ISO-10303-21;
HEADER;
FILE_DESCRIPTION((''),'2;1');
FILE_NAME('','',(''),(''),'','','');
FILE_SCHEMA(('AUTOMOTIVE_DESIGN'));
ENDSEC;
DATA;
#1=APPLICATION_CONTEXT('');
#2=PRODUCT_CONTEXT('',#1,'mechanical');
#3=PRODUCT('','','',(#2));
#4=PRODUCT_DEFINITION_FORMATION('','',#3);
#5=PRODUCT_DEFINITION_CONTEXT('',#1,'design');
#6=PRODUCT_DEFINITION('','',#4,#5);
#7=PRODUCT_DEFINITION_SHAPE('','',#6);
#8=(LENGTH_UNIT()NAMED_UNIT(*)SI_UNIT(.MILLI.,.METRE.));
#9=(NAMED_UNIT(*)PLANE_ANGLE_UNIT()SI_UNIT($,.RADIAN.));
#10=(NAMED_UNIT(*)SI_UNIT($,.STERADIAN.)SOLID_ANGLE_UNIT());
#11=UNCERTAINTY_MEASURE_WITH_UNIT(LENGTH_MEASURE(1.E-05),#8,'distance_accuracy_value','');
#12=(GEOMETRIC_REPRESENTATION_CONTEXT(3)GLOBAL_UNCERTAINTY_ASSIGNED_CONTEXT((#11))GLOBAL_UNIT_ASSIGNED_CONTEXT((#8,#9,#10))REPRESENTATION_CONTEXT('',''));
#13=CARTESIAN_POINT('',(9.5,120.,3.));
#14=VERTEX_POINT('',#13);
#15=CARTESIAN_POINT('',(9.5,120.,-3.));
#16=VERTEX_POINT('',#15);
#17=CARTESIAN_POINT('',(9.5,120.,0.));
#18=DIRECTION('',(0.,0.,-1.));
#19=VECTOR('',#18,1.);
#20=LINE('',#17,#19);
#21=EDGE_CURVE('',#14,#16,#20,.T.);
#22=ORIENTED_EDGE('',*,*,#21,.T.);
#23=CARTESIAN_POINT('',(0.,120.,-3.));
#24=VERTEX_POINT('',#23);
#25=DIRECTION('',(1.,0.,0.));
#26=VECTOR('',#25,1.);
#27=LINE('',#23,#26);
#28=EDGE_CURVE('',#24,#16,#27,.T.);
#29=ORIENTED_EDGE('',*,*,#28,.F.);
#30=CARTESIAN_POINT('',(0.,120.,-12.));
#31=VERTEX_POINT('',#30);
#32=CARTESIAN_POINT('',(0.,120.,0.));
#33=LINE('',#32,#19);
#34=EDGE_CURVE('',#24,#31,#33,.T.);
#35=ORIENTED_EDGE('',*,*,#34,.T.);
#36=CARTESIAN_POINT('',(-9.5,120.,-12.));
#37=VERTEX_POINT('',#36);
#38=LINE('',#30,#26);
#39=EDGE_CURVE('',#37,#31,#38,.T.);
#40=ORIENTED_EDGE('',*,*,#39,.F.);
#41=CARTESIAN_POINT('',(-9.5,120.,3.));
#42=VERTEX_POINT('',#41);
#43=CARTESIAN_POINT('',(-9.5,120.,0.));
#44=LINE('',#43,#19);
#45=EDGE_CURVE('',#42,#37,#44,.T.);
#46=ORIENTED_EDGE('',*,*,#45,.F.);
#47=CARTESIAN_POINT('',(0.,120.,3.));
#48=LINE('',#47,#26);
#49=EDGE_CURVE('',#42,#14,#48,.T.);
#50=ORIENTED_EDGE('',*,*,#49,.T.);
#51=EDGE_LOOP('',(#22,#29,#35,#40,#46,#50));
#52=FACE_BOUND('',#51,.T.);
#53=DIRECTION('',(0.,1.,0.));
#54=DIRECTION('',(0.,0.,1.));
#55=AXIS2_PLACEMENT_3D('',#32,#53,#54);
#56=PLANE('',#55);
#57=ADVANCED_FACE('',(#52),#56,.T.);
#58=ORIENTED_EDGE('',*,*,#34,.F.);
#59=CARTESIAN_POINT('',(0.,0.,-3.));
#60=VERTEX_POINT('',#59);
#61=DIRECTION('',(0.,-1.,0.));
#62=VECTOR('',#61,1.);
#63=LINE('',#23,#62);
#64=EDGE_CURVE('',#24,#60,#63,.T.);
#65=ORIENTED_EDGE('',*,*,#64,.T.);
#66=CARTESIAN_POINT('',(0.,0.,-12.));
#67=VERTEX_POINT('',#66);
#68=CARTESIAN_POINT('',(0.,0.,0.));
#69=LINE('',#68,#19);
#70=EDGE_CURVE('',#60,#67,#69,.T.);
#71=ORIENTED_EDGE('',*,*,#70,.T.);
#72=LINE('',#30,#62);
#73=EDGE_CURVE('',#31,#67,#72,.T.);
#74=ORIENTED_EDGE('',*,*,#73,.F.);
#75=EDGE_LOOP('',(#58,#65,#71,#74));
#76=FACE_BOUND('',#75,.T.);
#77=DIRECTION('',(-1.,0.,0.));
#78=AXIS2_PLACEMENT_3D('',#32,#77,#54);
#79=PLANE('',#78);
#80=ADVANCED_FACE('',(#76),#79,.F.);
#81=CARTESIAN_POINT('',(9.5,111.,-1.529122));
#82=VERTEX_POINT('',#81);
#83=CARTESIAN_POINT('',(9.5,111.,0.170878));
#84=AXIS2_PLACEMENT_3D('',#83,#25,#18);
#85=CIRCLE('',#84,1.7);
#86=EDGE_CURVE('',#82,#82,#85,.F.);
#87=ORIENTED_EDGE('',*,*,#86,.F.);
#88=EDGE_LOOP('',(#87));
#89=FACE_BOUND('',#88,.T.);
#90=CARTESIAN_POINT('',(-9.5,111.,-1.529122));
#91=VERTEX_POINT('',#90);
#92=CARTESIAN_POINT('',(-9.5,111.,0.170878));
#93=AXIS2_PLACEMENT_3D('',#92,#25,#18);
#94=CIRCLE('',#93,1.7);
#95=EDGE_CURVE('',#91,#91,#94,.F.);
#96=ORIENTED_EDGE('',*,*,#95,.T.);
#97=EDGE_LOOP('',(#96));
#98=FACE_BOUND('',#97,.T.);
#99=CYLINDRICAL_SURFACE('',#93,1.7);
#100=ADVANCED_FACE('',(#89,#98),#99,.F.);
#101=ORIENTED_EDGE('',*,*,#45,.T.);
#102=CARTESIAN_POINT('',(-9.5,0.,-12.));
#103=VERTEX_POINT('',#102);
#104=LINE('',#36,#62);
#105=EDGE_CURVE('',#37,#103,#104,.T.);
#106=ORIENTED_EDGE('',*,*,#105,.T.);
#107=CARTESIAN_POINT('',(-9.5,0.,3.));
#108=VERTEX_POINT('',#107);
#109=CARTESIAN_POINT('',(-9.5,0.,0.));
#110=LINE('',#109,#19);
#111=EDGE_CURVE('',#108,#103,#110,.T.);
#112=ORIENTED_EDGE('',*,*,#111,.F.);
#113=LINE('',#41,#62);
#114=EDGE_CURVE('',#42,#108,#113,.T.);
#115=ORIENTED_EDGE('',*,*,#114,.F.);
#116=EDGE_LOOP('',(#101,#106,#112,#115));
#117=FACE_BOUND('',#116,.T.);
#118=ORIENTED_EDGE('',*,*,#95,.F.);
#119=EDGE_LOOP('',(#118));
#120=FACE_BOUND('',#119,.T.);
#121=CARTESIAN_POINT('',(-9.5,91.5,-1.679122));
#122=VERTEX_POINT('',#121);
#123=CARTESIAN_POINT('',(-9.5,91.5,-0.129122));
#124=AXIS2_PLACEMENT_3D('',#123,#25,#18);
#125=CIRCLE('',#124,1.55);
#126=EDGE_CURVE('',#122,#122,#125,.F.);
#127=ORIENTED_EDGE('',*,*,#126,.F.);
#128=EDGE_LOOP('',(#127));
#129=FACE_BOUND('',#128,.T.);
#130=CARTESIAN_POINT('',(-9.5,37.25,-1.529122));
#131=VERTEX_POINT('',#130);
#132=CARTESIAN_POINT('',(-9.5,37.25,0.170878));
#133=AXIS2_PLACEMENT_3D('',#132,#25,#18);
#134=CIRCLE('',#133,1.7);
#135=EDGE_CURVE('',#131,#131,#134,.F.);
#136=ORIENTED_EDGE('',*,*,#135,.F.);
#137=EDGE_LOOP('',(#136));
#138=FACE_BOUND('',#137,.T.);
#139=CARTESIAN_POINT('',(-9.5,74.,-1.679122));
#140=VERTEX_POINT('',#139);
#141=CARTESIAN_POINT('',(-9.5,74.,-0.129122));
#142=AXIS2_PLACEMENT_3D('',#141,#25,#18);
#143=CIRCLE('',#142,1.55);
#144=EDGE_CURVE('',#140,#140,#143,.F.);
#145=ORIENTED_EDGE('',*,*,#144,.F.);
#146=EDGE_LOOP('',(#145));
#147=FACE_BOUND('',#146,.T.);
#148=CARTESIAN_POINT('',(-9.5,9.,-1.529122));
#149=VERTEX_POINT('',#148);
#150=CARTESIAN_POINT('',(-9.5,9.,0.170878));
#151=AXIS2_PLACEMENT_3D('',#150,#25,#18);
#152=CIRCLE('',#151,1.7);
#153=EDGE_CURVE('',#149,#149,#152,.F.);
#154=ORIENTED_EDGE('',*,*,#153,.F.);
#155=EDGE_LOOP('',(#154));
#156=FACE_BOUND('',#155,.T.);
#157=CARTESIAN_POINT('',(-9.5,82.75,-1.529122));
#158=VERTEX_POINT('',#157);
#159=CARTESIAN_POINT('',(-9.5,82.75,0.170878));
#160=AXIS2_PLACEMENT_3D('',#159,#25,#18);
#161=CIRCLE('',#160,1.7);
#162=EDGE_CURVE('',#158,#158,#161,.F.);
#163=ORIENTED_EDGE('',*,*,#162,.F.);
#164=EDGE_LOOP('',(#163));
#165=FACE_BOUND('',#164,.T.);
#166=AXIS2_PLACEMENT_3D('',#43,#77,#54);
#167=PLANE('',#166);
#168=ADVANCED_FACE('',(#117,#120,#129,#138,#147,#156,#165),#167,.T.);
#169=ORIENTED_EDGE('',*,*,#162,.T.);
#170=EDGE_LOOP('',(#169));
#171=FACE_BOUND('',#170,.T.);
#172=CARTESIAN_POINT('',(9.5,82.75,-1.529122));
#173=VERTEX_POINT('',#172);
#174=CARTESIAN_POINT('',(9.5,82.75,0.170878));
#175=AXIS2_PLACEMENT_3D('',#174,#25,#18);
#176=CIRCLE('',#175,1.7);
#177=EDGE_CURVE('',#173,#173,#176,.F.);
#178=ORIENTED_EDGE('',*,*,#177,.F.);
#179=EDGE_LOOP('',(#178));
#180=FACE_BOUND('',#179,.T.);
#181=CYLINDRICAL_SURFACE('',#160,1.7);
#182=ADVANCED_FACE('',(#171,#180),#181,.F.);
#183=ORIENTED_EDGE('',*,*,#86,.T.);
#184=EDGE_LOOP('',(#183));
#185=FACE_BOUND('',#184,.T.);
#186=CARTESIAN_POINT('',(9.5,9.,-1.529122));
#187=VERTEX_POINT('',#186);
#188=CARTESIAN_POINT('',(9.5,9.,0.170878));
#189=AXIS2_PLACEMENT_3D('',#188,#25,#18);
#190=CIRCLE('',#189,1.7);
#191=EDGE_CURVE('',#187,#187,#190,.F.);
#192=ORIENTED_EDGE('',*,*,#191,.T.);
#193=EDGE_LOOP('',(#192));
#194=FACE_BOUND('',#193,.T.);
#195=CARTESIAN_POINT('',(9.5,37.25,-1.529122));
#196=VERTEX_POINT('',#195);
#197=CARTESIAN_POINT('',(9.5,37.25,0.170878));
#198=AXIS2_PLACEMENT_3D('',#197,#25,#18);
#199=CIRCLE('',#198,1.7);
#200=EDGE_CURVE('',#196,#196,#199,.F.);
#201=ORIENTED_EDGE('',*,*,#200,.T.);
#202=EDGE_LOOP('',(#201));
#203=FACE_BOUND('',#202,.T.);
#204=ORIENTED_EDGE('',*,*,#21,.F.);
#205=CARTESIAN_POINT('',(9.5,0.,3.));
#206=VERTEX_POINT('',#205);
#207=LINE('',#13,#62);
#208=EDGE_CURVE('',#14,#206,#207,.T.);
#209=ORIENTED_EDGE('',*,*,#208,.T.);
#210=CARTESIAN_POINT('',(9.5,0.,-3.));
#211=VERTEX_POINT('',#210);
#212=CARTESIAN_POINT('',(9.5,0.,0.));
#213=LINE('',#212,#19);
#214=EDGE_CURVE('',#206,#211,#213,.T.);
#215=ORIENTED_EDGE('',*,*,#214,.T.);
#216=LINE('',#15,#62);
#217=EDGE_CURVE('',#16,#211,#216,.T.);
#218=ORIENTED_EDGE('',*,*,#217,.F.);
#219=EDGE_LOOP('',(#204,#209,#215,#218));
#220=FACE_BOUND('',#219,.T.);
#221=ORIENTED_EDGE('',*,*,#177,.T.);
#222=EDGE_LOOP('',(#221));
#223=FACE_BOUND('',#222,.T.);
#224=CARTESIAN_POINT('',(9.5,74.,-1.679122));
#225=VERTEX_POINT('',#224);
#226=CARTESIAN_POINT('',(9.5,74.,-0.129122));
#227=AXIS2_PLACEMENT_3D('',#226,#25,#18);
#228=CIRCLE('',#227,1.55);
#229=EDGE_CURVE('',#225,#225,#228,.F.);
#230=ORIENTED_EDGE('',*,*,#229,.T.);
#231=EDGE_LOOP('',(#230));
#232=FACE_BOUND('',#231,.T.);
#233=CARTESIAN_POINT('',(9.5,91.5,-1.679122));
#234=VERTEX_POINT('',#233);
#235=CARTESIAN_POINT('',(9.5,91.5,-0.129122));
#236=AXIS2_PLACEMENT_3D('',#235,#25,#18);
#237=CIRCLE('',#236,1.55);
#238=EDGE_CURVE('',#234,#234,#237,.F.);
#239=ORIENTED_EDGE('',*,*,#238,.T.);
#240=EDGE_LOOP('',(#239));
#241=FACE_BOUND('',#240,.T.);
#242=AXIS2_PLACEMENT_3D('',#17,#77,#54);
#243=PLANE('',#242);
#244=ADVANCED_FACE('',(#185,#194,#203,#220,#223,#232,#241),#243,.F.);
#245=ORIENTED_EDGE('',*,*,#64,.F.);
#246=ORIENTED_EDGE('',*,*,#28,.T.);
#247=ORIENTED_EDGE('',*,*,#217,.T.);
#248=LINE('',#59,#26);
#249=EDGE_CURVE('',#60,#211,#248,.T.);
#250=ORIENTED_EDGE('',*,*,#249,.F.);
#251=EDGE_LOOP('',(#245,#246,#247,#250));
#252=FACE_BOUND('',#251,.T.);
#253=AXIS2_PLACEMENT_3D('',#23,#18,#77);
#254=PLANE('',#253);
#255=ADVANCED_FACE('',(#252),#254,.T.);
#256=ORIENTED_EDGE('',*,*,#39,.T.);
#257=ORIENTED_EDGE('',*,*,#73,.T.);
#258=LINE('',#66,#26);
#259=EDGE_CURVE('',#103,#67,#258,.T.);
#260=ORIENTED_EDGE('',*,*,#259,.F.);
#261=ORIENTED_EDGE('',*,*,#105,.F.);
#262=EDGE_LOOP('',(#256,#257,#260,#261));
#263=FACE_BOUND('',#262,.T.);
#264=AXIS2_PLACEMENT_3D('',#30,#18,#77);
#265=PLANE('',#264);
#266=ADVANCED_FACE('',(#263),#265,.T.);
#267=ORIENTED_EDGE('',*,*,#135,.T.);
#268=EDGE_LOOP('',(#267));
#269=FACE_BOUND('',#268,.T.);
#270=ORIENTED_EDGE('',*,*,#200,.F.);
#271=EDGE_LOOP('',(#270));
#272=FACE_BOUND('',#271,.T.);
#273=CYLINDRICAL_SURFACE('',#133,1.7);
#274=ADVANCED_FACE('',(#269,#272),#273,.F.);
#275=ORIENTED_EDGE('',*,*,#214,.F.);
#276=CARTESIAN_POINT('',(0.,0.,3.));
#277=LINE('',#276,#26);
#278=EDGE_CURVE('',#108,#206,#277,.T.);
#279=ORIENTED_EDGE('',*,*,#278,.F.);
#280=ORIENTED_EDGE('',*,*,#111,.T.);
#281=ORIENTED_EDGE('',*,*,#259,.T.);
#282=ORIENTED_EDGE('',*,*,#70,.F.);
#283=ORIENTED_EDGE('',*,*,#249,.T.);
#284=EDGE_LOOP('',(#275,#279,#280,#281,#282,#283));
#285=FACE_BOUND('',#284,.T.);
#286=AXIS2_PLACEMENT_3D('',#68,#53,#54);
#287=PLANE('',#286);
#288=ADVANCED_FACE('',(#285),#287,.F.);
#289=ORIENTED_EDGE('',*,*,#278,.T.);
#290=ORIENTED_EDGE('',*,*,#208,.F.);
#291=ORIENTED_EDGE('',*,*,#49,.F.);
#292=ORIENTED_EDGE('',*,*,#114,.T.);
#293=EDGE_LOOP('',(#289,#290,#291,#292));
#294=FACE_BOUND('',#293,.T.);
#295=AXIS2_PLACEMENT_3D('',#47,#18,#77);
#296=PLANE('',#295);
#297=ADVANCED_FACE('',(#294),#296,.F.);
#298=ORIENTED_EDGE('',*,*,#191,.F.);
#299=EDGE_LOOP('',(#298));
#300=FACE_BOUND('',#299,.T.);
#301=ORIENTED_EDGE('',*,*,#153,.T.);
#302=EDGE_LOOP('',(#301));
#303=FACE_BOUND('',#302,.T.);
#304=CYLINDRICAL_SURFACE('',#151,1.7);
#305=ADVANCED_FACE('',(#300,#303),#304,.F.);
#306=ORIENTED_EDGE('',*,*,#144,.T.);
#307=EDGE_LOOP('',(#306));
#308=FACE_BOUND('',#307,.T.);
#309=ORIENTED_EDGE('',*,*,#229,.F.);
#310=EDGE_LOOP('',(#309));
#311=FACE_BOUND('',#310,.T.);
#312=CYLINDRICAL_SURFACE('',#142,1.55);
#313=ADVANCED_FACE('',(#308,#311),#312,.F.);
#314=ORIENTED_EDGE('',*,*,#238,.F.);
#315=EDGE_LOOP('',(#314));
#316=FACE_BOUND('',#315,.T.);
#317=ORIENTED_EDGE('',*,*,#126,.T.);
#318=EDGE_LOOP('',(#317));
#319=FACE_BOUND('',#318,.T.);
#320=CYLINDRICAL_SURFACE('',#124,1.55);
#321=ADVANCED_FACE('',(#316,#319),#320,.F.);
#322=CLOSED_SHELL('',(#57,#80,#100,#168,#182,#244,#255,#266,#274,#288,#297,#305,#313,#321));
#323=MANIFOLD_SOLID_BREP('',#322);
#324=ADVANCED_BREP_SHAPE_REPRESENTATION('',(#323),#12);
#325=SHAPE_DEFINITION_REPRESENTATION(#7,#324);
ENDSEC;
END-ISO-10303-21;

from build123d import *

# Parameters (mm, degrees)
SKETCH1_W           = 19
SKETCH1_H           = 6
SKETCH1_W_2         = 9.5
SKETCH1_H_2         = 9
BOSS_EXTRUDE1_DEPTH = 120
SKETCH2_R           = 1.7
SKETCH2_R_2         = 1.55
CUT_EXTRUDE1_DEPTH  = 19


with BuildPart() as part:
    # Sketch1 → Boss-Extrude1 (new body)
    with BuildSketch(Plane(origin=(0, 0, 0), x_dir=(1, 0, 0), z_dir=(0, 1, 0))):
        Rectangle(SKETCH1_W, SKETCH1_H)
        with Locations((-4.75, 7.5)):
            Rectangle(SKETCH1_W_2, SKETCH1_H_2)
    extrude(amount=BOSS_EXTRUDE1_DEPTH)

    # Sketch2 → Cut-Extrude1 (cut)
    with BuildSketch(Plane(origin=(9.5, 0, -9.5), x_dir=(0, 0, 1), z_dir=(-1, 0, 0))):
        with Locations(Location((9.670877536, 111, 0), (0, 0, 180))):
            Circle(SKETCH2_R)
        with Locations(Location((9.670877536, 82.75, 0), (0, 0, 180))):
            Circle(SKETCH2_R)
        with Locations(Location((9.670877536, 37.25, 0), (0, 0, 180))):
            Circle(SKETCH2_R)
        with Locations(Location((9.670877536, 9, 0), (0, 0, 180))):
            Circle(SKETCH2_R)
        with Locations(Location((9.370877536, 91.5, 0), (0, 0, 180))):
            Circle(SKETCH2_R_2)
        with Locations(Location((9.370877536, 74, 0), (0, 0, 180))):
            Circle(SKETCH2_R_2)
    extrude(amount=CUT_EXTRUDE1_DEPTH, mode=Mode.SUBTRACT)


solid = part.part
